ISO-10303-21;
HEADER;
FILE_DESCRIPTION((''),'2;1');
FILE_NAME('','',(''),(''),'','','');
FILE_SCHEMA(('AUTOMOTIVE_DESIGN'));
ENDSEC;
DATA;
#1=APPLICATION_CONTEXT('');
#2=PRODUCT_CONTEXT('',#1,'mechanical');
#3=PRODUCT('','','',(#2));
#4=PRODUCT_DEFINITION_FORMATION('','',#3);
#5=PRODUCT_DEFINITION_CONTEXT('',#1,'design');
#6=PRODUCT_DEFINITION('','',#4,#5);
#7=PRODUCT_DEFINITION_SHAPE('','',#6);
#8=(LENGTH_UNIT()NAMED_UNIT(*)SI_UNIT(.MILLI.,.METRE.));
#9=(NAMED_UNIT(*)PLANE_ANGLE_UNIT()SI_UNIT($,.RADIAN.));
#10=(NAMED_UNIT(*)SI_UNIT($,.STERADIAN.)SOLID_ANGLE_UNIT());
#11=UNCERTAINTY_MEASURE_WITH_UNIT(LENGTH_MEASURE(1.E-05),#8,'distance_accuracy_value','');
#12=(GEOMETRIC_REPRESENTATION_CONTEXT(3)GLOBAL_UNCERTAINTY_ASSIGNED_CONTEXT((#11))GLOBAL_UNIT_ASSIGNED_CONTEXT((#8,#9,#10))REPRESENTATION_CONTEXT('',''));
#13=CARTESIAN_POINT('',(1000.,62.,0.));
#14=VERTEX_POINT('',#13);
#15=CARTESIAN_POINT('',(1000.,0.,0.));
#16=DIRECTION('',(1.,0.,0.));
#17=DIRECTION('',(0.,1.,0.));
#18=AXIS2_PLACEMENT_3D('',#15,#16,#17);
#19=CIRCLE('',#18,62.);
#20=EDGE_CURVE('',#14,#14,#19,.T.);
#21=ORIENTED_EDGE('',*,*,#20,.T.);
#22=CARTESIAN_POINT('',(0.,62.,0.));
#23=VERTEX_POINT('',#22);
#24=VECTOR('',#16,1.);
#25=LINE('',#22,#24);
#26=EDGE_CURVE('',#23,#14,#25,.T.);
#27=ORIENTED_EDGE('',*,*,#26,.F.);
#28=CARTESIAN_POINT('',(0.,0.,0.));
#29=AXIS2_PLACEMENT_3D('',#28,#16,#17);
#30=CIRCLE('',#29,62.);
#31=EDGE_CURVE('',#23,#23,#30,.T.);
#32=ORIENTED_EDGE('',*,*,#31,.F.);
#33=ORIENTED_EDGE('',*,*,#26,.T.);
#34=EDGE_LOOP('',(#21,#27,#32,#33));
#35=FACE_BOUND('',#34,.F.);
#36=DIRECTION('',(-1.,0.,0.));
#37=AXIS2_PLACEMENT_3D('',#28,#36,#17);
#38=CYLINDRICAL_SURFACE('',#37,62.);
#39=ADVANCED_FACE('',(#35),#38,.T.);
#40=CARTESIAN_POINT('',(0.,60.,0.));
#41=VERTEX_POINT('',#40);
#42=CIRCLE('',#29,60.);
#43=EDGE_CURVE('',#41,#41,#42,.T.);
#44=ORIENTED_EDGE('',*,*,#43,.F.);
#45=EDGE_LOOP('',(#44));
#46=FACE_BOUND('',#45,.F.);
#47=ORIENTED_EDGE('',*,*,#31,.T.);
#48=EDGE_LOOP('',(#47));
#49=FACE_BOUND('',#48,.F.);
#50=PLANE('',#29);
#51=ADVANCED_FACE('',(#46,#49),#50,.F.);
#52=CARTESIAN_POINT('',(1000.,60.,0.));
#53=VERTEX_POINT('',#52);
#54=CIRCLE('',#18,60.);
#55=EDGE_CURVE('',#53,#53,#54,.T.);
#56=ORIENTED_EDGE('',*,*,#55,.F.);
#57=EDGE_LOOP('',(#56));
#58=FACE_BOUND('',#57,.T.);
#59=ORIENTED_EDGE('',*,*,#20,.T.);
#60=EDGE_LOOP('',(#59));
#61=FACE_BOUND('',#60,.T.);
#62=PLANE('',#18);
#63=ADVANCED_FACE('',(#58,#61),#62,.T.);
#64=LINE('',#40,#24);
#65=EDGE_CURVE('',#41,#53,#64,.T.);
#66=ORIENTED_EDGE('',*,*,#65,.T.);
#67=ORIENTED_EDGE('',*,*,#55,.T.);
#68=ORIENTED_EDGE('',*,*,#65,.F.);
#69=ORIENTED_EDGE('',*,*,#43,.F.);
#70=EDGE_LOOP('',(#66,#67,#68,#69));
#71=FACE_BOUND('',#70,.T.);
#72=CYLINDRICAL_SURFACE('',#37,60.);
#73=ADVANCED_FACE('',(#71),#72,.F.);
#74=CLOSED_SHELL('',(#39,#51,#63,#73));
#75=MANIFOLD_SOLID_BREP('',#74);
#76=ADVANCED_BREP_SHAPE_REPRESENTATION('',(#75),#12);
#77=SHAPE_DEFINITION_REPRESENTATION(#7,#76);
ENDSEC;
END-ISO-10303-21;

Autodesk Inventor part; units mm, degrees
ref_plane "YZ Plane" through (0, 0, 0) normal (1, 0, 0) x (0, 1, 0)
ref_plane "XZ Plane" through (0, 0, 0) normal (0, 1, 0) x (-1, 0, 0)
ref_plane "XY Plane" through (0, 0, 0) normal (0, 0, 1) x (1, 0, 0)
sketch "Boceto1" plane through (0, 0, 0) normal (1, 0, 0) x (0, 1, 0)
  circle A0 centre (0, 0) radius 60
  circle A1 centre (0, 0) radius 62
  line L0 (0, 0) -> (1013.9731, 0) construction
  dimension "d0" = 120
  dimension "d1" = 124
extrude "Extrusión1" add sketch "Boceto1" along normal blind 1000
properties part number "Tubo tolba" material "Steel, Mild, Welded"
